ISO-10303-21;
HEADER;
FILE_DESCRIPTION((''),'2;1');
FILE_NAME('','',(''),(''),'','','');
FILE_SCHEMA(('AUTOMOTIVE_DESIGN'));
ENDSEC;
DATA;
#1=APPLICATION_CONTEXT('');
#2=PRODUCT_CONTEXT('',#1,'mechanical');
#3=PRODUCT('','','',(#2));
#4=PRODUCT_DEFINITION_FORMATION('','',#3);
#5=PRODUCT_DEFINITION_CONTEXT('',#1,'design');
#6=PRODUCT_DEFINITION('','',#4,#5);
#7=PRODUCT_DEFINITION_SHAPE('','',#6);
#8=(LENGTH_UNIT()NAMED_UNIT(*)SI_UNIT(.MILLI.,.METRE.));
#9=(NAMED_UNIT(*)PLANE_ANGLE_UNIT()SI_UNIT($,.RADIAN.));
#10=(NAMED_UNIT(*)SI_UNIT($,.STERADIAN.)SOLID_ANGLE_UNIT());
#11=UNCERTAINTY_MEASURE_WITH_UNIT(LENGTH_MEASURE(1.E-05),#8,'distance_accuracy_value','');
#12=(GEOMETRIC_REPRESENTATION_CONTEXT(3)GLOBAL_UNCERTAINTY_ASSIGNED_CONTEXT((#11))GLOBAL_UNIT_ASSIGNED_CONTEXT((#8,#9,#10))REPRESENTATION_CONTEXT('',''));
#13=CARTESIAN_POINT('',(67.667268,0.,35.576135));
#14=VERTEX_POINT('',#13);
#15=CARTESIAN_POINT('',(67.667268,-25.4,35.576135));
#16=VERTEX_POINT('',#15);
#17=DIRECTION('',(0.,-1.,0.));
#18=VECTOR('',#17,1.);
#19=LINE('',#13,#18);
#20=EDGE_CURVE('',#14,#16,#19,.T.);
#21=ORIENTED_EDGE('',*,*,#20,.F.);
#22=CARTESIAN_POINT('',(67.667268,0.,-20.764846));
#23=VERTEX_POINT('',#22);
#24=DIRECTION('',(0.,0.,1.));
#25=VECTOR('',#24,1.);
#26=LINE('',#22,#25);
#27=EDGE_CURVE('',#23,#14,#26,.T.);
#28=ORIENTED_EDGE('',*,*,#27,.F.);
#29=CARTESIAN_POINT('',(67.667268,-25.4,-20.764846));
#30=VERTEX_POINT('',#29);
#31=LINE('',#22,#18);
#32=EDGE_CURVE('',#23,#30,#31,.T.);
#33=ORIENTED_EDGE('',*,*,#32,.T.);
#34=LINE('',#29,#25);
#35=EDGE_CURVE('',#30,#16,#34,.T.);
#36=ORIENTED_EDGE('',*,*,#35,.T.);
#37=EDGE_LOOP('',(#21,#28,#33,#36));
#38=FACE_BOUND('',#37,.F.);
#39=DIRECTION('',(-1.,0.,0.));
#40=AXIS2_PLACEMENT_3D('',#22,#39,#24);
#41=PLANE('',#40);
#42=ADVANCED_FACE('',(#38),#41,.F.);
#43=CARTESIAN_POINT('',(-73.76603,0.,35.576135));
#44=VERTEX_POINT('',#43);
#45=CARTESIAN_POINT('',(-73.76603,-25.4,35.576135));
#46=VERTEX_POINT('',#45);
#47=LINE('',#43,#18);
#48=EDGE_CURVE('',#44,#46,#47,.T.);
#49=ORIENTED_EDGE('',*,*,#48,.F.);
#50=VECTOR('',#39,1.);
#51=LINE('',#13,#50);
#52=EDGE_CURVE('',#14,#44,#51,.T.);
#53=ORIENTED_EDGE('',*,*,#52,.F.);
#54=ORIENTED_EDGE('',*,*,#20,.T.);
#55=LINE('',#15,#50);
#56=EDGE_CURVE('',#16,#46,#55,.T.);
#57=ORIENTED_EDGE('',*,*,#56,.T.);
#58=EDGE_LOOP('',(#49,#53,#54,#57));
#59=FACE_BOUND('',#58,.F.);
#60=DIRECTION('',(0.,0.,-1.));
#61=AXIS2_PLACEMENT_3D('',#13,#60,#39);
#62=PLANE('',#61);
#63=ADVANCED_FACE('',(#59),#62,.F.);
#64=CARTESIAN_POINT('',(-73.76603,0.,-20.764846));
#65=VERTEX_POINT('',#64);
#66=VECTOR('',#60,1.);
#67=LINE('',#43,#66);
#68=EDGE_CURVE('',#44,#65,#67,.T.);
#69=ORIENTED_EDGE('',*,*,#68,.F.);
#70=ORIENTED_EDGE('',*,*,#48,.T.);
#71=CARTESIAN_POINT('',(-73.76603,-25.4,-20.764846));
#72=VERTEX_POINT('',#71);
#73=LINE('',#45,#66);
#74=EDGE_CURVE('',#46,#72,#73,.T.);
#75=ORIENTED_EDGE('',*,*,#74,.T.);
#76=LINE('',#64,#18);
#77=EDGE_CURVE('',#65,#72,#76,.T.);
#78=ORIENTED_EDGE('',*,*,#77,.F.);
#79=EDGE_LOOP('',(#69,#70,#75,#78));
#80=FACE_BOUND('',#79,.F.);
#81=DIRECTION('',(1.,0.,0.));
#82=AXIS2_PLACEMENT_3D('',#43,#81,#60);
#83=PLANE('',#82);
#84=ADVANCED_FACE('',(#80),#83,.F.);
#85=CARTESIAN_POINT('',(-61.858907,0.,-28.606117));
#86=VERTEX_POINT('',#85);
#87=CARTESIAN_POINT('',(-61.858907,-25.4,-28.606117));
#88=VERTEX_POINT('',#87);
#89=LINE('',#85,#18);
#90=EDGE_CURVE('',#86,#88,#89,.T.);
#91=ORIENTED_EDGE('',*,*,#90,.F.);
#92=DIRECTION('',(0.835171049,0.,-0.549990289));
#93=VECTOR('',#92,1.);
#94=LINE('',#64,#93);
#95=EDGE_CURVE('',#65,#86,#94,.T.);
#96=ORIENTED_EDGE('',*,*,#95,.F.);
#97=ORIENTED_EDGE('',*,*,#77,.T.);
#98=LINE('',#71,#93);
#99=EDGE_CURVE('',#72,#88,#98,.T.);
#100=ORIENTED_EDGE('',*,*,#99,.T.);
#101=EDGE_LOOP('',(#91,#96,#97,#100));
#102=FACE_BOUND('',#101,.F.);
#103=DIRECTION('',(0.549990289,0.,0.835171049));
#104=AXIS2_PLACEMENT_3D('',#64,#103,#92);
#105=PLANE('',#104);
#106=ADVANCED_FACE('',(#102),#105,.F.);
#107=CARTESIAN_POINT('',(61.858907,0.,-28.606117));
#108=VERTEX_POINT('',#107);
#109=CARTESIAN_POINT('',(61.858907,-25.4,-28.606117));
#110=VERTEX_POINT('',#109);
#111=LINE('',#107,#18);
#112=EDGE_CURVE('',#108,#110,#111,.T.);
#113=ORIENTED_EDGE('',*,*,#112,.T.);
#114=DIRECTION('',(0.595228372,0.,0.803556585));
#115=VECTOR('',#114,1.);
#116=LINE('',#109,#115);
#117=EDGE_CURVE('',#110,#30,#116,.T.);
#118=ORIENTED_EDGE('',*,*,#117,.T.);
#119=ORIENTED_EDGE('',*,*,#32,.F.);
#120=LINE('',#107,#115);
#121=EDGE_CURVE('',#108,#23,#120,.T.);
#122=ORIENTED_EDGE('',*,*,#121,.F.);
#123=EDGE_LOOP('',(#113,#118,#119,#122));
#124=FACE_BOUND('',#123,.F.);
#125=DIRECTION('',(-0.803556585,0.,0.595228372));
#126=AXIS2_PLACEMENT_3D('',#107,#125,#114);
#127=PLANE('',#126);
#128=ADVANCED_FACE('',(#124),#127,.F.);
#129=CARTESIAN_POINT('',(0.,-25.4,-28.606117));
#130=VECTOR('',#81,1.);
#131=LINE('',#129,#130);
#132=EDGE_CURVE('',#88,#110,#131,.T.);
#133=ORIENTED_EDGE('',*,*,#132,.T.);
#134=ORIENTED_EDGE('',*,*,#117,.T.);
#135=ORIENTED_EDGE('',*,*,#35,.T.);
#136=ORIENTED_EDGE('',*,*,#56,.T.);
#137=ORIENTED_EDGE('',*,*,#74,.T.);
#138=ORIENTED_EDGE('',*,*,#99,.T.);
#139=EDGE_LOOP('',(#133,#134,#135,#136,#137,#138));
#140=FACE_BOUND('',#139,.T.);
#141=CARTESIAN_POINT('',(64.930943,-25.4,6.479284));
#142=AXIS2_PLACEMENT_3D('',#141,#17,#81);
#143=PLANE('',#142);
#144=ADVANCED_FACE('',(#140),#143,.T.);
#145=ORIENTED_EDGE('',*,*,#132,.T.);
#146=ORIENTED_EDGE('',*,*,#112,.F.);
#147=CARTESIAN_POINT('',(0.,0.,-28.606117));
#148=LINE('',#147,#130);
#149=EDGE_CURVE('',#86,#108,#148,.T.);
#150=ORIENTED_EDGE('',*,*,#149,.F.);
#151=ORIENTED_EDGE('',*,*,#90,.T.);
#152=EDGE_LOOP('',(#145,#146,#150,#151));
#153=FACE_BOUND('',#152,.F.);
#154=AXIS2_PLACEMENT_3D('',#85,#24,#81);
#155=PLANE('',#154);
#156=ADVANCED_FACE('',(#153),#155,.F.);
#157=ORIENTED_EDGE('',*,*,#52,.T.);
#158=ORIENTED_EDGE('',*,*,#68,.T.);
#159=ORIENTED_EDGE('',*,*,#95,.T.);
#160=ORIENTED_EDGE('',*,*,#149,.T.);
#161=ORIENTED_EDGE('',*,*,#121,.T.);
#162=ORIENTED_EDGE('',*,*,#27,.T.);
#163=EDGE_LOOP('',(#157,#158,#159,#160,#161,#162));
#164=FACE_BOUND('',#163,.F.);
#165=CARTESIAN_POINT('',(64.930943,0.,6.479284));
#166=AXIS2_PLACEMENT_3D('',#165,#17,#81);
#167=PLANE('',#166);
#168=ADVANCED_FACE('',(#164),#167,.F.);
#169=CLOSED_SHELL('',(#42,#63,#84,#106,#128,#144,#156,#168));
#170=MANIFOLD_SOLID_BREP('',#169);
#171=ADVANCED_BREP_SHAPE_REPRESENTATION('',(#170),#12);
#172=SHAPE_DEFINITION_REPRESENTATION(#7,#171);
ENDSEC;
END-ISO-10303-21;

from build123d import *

# Parameters (mm, degrees)
F0_W     = 123.7178146839
F0_H     = 7.841270417
F0_H_2   = 49.3709631264
F1_DEPTH = 25.4


with BuildPart() as f1:
    # F0 (on Front) → F1 (new body)
    with BuildSketch(Plane.XZ):
        Polygon((67.6672682166, 35.5761349201), (61.858907342, 28.6061167717), (61.858907342, -20.7648463547), (67.6672682166, -20.7648463547), align=None)
        Polygon((-61.858907342, 28.6061167717), (61.858907342, 28.6061167717), (67.6672682166, 35.5761349201), (-73.7660303712, 35.5761349201), align=None)
        Polygon((-61.858907342, -20.7648463547), (-61.858907342, 28.6061167717), (-73.7660303712, 35.5761349201), (-73.7660303712, -20.7648463547), align=None)
        Polygon((67.6672682166, -20.7648463547), (61.858907342, -20.7648463547), (61.858907342, -28.6061167717), align=None)
        with Locations((0, -24.6854815632)):
            Rectangle(F0_W, F0_H)
        Polygon((-61.858907342, -28.6061167717), (-61.858907342, -20.7648463547), (-73.7660303712, -20.7648463547), align=None)
        with Locations((0, 3.9206352085)):
            Rectangle(F0_W, F0_H_2)
    extrude(amount=F1_DEPTH)


solid = f1.part
